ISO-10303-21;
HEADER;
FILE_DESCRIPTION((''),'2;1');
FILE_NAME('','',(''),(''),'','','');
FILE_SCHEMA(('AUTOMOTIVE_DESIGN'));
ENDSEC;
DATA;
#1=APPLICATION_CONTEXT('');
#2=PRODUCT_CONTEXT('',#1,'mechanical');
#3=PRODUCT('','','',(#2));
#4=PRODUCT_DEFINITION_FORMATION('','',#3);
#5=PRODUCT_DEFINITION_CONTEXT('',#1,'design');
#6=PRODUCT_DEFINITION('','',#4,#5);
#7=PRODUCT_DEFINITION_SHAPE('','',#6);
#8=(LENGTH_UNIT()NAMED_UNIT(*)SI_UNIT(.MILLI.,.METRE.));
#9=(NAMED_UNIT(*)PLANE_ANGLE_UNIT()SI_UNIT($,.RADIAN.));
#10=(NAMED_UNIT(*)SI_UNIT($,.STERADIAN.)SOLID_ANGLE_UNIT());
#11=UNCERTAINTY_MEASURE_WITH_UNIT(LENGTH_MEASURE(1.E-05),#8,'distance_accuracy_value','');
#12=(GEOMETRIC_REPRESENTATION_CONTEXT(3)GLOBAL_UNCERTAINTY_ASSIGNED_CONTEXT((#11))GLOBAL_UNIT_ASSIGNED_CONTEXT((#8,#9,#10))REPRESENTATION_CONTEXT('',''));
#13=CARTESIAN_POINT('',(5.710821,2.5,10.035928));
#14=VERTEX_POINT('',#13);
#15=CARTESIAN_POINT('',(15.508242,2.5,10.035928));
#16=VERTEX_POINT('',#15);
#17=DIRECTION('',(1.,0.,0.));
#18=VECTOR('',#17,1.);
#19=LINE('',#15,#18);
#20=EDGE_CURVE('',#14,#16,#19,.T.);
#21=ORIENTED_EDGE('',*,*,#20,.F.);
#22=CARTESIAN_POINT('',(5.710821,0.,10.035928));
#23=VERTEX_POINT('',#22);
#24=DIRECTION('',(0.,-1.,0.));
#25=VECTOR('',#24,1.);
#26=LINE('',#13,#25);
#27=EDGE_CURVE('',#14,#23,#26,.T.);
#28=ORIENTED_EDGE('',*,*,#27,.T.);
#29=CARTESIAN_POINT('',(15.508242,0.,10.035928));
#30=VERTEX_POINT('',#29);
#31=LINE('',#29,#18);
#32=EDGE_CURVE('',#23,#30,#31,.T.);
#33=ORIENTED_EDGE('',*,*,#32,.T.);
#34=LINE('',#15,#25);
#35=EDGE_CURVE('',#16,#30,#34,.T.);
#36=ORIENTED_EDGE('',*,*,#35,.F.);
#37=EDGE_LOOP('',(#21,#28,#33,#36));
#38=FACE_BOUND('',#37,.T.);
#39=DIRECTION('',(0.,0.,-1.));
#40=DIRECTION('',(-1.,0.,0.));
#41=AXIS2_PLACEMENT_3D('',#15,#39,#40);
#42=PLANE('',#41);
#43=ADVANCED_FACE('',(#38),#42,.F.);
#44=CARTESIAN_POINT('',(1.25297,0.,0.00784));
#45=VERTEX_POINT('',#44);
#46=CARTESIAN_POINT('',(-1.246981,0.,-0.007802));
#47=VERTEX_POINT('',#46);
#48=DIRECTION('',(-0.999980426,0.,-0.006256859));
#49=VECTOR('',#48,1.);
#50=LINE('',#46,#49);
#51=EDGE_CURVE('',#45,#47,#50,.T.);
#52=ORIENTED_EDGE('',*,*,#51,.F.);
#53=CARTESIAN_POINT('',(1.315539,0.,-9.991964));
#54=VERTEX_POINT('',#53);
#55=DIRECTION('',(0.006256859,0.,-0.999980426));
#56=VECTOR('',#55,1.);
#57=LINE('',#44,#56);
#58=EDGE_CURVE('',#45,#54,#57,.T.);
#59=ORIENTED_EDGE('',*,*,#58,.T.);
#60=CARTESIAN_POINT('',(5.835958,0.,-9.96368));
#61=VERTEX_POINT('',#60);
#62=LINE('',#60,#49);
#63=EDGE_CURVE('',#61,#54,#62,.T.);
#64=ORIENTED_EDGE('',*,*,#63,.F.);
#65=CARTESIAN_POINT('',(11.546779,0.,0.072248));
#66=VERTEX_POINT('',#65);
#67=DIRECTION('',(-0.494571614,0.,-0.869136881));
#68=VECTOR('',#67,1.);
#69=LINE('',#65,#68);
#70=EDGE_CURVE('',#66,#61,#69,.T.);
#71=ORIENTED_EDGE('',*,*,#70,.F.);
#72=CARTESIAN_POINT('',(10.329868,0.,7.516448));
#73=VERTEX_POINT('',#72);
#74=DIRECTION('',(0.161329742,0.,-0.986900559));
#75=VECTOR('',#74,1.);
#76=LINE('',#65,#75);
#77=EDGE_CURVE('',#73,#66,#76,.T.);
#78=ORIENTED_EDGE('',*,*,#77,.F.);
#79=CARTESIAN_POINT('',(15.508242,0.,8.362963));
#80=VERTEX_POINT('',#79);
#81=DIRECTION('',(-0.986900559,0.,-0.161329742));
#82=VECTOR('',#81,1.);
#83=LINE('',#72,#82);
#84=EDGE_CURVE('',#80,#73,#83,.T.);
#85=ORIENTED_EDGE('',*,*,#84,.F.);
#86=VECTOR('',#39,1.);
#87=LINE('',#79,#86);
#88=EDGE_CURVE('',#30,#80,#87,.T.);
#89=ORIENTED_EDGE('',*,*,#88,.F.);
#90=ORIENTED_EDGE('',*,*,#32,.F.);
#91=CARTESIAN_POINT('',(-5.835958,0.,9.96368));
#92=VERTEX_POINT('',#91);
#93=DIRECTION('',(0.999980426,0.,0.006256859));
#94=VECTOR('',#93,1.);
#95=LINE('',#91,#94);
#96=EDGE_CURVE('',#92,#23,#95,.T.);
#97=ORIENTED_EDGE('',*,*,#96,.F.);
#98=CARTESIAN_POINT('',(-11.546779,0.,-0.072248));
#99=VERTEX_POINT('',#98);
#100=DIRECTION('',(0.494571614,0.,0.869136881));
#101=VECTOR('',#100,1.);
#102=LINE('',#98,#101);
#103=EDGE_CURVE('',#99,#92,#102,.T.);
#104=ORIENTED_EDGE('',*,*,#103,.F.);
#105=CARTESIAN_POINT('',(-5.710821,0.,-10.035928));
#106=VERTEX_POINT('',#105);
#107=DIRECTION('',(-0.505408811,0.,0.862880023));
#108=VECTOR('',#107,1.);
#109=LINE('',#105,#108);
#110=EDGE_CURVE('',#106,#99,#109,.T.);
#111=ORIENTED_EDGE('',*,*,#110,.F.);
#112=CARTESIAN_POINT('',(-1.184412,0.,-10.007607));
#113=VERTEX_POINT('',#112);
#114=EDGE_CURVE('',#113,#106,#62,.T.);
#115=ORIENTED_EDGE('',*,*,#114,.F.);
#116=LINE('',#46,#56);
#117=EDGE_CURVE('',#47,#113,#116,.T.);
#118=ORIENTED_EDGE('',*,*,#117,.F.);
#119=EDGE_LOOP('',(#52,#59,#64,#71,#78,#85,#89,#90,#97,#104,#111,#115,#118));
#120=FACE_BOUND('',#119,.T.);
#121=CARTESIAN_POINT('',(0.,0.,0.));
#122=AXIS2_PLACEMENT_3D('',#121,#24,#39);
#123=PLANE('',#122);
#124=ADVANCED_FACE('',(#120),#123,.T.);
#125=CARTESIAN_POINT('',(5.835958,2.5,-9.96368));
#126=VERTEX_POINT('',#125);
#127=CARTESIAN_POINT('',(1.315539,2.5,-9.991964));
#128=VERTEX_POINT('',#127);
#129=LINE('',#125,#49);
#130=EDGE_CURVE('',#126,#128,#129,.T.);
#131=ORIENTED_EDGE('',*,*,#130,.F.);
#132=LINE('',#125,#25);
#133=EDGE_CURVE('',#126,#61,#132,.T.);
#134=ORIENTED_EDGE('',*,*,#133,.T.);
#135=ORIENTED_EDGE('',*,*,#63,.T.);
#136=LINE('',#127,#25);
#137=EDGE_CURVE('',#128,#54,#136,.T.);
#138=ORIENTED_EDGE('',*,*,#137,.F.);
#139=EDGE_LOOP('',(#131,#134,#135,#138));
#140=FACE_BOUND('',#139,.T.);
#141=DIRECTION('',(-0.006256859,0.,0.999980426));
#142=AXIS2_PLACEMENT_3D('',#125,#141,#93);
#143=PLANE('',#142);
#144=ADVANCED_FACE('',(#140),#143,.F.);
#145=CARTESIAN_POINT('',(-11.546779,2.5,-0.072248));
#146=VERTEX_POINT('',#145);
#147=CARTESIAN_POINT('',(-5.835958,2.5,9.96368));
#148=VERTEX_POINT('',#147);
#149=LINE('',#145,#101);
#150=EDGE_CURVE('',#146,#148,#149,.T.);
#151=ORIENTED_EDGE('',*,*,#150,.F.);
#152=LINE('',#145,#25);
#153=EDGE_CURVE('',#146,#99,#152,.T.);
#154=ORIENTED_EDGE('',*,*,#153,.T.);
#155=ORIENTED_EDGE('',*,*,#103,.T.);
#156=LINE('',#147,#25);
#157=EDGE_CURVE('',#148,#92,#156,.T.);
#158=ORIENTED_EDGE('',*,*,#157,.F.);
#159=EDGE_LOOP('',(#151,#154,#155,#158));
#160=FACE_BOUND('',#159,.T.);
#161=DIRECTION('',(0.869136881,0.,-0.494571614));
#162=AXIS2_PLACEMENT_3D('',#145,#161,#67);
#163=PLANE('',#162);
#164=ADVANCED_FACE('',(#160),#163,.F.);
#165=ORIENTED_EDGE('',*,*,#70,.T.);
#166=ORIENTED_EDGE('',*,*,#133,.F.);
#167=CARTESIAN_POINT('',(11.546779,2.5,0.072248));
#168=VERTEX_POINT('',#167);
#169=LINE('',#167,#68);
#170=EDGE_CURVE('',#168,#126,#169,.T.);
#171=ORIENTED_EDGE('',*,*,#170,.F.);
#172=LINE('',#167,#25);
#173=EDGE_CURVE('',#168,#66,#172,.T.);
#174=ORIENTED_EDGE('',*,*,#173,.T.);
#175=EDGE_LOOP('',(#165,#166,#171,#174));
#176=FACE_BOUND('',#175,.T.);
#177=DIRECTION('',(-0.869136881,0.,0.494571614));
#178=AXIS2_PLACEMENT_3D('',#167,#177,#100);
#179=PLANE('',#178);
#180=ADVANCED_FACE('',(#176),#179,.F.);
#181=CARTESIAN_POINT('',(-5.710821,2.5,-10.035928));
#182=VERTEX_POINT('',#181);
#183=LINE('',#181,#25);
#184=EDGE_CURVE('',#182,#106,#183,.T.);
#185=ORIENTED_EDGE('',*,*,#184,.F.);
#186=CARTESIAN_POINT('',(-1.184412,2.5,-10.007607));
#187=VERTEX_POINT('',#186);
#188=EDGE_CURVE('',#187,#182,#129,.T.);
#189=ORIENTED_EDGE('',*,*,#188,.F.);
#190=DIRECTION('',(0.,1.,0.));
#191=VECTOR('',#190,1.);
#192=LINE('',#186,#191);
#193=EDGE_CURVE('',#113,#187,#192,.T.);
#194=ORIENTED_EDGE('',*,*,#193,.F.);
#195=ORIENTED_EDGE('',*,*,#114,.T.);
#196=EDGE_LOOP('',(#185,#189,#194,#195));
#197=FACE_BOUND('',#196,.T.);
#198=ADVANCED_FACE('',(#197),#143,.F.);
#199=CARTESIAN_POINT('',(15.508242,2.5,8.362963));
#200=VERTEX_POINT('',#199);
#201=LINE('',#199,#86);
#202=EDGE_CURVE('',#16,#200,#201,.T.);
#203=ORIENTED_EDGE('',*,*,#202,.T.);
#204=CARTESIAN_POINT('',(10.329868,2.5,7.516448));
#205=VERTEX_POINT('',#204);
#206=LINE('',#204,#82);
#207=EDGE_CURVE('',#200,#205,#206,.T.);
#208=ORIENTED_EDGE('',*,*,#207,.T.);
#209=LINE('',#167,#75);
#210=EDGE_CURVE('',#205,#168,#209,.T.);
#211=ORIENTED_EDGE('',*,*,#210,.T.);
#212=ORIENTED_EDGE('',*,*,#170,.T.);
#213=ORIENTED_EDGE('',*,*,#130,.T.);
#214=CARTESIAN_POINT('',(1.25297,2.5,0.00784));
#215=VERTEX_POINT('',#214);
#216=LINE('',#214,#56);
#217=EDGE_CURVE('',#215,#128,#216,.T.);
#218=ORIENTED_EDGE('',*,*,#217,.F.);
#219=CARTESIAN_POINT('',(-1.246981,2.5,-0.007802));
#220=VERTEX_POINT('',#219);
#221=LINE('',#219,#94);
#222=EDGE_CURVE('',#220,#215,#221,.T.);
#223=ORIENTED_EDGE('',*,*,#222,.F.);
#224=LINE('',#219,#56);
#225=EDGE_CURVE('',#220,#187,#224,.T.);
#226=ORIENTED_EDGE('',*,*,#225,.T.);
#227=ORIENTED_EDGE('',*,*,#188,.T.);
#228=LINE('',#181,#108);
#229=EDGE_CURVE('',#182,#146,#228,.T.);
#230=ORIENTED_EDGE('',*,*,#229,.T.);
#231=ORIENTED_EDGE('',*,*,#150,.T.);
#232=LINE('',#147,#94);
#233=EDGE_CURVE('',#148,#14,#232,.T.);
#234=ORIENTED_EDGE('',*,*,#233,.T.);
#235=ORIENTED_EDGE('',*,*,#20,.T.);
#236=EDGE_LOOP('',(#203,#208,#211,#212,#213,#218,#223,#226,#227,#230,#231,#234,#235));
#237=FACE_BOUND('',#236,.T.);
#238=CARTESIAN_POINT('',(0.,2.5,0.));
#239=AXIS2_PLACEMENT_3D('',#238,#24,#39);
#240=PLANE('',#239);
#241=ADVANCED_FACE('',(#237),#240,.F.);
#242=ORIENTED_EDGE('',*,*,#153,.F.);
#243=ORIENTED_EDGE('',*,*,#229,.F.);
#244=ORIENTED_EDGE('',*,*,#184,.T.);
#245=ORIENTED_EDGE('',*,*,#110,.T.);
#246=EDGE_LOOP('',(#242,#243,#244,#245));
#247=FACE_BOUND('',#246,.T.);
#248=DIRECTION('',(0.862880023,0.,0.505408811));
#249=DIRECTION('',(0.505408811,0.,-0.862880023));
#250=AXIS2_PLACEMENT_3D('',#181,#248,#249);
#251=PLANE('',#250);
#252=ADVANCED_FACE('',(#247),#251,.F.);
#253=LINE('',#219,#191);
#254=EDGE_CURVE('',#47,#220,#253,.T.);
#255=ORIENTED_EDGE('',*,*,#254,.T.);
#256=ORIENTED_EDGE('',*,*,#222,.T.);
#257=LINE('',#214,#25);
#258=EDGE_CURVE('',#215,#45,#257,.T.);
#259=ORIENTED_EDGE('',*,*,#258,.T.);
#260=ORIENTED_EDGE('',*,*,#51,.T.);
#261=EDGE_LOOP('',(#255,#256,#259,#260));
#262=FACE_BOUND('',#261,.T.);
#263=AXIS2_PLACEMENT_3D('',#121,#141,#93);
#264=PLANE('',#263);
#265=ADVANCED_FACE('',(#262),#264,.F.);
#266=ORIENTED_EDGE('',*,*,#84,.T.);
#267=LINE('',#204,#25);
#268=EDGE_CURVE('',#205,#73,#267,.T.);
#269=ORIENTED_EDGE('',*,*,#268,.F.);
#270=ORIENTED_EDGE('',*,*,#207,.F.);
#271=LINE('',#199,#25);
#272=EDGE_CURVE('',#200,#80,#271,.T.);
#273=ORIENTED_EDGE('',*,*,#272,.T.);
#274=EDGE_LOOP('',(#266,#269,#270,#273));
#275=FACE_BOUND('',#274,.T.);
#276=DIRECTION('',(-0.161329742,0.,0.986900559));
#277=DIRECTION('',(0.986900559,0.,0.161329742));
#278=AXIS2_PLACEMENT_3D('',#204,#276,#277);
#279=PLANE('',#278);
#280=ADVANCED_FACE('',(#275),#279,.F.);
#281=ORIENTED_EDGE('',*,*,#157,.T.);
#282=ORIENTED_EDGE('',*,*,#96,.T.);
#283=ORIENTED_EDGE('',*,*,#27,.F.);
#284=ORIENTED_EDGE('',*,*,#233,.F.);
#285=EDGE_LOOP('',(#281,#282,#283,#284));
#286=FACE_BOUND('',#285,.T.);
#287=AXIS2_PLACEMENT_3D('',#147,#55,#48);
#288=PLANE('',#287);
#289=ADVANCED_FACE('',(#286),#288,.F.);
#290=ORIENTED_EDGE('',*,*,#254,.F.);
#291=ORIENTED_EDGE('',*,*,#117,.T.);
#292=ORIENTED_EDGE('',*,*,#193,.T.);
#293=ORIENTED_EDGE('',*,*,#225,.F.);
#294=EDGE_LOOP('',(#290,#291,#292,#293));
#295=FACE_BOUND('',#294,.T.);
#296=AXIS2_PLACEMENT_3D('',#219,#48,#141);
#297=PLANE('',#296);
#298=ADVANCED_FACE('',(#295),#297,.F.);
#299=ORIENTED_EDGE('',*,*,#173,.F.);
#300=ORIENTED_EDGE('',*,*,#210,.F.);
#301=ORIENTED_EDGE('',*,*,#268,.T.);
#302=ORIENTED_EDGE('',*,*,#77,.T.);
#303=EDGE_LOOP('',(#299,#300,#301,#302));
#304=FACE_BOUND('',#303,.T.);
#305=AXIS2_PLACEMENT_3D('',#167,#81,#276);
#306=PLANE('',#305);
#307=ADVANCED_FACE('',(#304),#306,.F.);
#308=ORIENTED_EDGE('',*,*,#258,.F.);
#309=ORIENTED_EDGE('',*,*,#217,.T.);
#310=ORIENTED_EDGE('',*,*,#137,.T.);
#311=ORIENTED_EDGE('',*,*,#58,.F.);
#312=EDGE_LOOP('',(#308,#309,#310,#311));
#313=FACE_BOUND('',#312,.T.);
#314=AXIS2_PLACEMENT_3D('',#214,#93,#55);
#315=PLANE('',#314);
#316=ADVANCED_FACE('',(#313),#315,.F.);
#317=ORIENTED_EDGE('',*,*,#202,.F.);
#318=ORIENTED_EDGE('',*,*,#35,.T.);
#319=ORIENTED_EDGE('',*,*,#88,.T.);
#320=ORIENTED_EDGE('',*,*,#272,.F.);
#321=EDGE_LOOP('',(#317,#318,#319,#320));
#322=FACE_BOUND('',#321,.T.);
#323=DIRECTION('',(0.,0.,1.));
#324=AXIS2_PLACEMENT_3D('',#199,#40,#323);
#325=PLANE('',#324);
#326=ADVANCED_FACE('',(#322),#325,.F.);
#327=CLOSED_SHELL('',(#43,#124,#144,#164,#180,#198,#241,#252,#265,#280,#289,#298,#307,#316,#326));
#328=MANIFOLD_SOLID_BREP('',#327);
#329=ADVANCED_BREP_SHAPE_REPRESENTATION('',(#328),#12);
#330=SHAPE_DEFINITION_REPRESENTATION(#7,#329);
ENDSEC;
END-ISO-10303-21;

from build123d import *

# Parameters (mm, degrees)
BOSS_EXTRUDE1_DEPTH = 2.5
SKETCH8_W           = 2.5
SKETCH8_H           = 2.5
CUT_EXTRUDE1_DEPTH  = 10


with BuildPart() as part:
    # Sketch1 → Boss-Extrude1 (new body)
    with BuildSketch(Plane(origin=(0, 0, 0), x_dir=(1, 0, 0), z_dir=(0, 1, 0))):
        Polygon((11.546779359, -0.072247979), (10.329867567, -7.516448352), (15.508241902, -8.362963017), (15.508241902, -10.035928246), (5.710821094, -10.035928246), (-5.835958265, -9.963680267), (-11.546779359, 0.072247979), (-5.710821094, 10.035928246), (5.835958265, 9.963680267), align=None)
    extrude(amount=BOSS_EXTRUDE1_DEPTH)

    # Sketch8 → Cut-Extrude1 (cut)
    with BuildSketch(Plane(origin=(0.062568585, 0, -9.999804257), x_dir=(-0.999980426, 0, -0.006256859), z_dir=(0.006256859, 0, -0.999980426))):
        with Locations((-0.002994616, 1.25)):
            Rectangle(SKETCH8_W, SKETCH8_H)
    extrude(amount=-CUT_EXTRUDE1_DEPTH, mode=Mode.SUBTRACT)


solid = part.part
